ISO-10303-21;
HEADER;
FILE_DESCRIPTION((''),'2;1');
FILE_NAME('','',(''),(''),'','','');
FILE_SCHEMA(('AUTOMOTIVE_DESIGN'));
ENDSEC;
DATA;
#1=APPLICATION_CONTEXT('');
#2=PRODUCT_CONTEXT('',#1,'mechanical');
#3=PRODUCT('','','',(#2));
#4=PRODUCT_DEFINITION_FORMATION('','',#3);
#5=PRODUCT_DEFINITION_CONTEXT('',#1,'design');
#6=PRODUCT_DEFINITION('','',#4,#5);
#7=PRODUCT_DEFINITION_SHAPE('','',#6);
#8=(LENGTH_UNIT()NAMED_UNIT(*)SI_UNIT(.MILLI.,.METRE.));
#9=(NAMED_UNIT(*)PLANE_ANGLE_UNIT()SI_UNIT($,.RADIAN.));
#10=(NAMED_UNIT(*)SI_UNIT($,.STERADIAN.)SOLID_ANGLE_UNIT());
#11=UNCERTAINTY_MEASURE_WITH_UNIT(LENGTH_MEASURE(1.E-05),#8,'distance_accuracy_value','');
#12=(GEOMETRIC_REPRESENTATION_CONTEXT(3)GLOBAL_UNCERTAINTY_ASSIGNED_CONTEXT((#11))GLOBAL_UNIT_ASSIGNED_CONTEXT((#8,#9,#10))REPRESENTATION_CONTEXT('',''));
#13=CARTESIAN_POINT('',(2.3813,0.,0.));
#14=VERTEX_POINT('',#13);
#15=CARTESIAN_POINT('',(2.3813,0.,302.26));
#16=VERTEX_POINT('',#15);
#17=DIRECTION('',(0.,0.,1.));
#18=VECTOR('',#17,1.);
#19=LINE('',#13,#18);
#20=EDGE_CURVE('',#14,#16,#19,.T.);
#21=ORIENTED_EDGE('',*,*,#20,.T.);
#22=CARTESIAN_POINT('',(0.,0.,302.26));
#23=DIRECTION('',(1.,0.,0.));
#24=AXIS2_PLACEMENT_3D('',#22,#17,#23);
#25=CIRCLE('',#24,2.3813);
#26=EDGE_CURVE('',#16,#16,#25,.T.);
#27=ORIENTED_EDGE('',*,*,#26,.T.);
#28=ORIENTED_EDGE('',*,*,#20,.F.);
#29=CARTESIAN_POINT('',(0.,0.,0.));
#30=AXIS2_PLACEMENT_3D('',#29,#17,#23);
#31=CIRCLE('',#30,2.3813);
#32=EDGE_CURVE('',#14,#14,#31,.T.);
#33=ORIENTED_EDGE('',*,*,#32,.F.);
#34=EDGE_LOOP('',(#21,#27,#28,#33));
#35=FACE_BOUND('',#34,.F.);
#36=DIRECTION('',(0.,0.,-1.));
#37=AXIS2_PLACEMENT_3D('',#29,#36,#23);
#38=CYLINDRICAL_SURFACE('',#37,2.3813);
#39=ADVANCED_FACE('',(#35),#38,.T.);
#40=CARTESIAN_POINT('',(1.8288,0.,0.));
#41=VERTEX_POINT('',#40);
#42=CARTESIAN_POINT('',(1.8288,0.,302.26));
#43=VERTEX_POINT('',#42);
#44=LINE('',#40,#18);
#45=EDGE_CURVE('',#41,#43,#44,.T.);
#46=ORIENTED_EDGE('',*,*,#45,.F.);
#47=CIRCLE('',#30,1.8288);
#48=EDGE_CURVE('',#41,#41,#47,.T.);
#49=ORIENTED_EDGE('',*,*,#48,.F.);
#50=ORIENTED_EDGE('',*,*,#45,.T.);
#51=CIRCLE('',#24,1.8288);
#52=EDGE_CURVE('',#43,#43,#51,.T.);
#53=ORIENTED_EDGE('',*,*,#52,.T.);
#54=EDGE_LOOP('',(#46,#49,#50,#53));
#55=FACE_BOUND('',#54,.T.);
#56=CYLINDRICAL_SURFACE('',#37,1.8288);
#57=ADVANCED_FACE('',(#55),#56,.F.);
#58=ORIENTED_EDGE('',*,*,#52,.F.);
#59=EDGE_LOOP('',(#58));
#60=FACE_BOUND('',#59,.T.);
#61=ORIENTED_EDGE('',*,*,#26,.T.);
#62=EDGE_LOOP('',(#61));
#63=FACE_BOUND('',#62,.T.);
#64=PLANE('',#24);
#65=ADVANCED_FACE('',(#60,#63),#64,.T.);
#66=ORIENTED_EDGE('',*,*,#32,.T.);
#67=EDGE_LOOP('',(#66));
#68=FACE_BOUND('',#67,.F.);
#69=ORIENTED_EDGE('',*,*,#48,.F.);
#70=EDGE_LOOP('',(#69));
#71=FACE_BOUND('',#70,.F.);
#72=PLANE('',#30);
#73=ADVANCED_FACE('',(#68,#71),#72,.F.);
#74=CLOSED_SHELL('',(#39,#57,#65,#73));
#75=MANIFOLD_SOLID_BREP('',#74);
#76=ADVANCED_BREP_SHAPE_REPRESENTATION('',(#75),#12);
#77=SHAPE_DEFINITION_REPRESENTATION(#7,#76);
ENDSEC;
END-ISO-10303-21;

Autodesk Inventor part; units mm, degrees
ref_plane "YZ Plane" through (0, 0, 0) normal (1, 0, 0) x (0, 1, 0)
ref_plane "XZ Plane" through (0, 0, 0) normal (0, 1, 0) x (-1, 0, 0)
ref_plane "XY Plane" through (0, 0, 0) normal (0, 0, 1) x (1, 0, 0)
sketch "Sketch1" plane through (0, 0, 0) normal (0, 0, 1) x (1, 0, 0)
  circle A0 centre (0, 0) radius 1.8288
  circle A1 centre (0, 0) radius 2.3813
  dimension "d0" = 3.6576
  dimension "d1" = 4.7625
extrude "Extrusion1" add sketch "Sketch1" along normal blind 302.26
properties part number "aluminumWiringTubing" material "Aluminum 3003-H14"
